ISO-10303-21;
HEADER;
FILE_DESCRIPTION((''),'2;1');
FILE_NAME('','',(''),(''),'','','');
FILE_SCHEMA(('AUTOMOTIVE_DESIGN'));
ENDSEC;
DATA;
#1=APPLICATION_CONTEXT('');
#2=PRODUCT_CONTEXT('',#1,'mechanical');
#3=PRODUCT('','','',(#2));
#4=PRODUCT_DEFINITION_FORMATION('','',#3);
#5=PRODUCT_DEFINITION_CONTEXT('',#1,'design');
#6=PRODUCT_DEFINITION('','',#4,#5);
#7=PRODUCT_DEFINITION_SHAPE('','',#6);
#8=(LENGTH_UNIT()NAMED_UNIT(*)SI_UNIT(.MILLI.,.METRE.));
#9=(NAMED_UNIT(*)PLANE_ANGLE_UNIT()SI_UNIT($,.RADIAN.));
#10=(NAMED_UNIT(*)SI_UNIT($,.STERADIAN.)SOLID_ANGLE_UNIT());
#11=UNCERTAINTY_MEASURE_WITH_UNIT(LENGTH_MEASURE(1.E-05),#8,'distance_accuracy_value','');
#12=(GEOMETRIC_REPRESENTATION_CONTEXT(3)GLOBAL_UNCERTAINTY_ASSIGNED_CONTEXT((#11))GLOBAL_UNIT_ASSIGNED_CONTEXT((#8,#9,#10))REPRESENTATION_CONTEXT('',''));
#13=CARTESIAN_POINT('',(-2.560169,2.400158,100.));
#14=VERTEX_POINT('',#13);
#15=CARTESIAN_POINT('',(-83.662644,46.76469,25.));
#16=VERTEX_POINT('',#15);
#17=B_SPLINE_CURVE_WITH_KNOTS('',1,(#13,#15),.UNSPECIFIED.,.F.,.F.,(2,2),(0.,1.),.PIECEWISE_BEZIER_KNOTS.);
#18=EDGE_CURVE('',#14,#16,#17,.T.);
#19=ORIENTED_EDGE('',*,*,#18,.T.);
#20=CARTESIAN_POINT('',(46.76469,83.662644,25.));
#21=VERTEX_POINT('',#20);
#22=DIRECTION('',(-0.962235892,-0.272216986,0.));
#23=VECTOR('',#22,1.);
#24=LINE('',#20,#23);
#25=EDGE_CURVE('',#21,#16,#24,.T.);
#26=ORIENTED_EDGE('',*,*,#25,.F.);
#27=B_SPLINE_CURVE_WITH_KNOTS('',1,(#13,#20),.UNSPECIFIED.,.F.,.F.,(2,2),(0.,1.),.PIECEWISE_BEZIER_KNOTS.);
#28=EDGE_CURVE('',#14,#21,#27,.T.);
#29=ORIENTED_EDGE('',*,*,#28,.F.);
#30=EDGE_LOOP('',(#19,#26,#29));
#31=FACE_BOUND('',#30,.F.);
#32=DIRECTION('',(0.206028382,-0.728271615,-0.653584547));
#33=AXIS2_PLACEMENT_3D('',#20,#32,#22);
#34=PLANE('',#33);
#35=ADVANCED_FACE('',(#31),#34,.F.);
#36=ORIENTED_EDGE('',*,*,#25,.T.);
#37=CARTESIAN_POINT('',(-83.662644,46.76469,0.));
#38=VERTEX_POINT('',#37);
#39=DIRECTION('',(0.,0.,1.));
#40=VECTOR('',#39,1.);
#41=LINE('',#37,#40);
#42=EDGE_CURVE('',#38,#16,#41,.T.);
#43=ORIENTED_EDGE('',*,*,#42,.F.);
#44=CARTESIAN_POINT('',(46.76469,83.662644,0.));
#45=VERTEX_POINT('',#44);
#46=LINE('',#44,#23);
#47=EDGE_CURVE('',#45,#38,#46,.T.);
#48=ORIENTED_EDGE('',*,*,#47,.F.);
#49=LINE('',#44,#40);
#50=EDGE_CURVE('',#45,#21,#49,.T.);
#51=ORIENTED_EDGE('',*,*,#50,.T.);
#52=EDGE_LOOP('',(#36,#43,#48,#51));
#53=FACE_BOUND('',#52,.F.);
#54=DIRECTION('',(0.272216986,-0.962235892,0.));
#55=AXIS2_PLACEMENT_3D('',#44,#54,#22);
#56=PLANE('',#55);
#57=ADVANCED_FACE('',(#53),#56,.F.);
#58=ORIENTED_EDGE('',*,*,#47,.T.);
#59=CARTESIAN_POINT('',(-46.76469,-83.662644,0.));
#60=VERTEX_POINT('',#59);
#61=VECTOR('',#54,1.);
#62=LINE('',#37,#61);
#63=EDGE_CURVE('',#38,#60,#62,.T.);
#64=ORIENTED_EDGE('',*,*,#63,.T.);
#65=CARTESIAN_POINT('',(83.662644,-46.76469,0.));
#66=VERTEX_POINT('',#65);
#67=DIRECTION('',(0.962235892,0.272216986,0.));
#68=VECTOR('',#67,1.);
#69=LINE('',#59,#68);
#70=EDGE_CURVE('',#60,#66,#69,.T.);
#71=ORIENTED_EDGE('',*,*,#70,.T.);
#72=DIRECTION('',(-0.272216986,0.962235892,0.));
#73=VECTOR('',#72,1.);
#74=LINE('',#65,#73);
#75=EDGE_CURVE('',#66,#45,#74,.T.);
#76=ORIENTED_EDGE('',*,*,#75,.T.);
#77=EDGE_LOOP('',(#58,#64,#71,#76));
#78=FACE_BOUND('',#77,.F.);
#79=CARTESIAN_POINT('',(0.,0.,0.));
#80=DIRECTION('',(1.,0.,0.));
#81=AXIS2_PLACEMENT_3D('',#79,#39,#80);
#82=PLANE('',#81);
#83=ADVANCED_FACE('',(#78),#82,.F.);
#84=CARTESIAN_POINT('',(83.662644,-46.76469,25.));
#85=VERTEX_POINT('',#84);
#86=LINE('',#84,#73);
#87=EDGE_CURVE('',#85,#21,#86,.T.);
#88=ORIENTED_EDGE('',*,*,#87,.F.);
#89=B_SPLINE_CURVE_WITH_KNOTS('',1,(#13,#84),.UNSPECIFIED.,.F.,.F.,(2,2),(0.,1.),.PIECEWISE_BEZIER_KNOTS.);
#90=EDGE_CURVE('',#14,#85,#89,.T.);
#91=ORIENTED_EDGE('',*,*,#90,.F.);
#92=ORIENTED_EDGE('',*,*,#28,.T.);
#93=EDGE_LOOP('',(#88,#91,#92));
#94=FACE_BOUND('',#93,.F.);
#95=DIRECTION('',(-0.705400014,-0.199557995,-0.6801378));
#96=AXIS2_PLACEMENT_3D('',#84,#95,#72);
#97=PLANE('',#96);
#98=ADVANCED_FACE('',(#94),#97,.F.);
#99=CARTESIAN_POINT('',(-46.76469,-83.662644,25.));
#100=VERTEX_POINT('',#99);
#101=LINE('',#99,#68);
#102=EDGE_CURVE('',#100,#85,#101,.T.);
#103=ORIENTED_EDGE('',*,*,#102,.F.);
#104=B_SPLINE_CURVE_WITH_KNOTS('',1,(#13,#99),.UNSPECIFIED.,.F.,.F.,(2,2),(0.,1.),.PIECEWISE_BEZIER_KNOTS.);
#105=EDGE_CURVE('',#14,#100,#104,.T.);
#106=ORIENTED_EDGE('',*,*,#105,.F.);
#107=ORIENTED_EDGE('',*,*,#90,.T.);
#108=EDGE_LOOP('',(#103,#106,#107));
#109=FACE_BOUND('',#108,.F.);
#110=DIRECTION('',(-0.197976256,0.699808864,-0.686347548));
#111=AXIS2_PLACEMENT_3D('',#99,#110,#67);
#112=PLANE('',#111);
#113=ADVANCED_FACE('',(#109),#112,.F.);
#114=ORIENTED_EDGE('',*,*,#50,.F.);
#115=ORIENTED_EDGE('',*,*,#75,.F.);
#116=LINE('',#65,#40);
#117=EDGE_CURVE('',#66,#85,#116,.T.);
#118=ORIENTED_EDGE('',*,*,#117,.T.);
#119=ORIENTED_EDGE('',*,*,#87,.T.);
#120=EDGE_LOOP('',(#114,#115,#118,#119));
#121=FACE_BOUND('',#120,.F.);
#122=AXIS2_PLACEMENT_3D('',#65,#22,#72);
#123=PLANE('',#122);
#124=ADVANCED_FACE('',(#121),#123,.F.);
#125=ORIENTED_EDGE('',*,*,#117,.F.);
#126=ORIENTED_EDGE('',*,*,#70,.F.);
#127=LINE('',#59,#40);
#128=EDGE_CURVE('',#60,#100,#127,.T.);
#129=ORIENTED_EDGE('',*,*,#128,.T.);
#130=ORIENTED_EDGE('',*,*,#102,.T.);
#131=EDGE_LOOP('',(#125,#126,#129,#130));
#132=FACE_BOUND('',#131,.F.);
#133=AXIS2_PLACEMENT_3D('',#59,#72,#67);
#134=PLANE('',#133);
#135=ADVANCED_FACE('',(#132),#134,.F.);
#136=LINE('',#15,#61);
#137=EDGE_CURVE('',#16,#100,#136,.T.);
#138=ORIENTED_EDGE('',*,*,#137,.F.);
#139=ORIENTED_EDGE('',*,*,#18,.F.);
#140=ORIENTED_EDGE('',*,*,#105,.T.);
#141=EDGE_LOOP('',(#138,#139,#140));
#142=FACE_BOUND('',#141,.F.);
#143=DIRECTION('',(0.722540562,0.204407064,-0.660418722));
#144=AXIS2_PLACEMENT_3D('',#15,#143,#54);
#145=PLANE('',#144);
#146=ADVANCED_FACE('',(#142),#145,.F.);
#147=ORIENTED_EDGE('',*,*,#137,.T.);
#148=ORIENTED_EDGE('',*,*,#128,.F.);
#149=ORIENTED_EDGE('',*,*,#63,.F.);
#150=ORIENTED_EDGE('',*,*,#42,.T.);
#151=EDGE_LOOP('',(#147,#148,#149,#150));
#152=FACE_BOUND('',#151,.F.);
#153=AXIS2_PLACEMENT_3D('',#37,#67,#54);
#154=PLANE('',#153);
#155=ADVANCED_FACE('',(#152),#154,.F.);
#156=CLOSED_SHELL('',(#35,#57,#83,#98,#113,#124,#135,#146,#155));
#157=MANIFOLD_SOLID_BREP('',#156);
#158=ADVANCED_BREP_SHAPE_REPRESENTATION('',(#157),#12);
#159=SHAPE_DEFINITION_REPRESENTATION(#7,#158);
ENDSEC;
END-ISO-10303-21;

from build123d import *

# Parameters (mm, degrees)
F1_DEPTH = 25


with BuildPart() as f1:
    # F0 (on Top) → F1 (new body)
    with BuildSketch(Plane.XY):
        Polygon((-83.662644, 46.76469), (-46.76469, -83.662644), (83.662644, -46.76469), (46.76469, 83.662644), align=None)
    extrude(amount=F1_DEPTH)

    # F1_face (on face) → F4 section 0
    with BuildSketch(Plane.XY.offset(25), mode=Mode.PRIVATE) as f4_s0:
        Polygon((83.662644, -46.76469), (46.76469, 83.662644), (-83.662644, 46.76469), (-46.76469, -83.662644), align=None)
    loft([Vertex(-2.560169, 2.400158, 100), f4_s0.sketch])


solid = f1.part
